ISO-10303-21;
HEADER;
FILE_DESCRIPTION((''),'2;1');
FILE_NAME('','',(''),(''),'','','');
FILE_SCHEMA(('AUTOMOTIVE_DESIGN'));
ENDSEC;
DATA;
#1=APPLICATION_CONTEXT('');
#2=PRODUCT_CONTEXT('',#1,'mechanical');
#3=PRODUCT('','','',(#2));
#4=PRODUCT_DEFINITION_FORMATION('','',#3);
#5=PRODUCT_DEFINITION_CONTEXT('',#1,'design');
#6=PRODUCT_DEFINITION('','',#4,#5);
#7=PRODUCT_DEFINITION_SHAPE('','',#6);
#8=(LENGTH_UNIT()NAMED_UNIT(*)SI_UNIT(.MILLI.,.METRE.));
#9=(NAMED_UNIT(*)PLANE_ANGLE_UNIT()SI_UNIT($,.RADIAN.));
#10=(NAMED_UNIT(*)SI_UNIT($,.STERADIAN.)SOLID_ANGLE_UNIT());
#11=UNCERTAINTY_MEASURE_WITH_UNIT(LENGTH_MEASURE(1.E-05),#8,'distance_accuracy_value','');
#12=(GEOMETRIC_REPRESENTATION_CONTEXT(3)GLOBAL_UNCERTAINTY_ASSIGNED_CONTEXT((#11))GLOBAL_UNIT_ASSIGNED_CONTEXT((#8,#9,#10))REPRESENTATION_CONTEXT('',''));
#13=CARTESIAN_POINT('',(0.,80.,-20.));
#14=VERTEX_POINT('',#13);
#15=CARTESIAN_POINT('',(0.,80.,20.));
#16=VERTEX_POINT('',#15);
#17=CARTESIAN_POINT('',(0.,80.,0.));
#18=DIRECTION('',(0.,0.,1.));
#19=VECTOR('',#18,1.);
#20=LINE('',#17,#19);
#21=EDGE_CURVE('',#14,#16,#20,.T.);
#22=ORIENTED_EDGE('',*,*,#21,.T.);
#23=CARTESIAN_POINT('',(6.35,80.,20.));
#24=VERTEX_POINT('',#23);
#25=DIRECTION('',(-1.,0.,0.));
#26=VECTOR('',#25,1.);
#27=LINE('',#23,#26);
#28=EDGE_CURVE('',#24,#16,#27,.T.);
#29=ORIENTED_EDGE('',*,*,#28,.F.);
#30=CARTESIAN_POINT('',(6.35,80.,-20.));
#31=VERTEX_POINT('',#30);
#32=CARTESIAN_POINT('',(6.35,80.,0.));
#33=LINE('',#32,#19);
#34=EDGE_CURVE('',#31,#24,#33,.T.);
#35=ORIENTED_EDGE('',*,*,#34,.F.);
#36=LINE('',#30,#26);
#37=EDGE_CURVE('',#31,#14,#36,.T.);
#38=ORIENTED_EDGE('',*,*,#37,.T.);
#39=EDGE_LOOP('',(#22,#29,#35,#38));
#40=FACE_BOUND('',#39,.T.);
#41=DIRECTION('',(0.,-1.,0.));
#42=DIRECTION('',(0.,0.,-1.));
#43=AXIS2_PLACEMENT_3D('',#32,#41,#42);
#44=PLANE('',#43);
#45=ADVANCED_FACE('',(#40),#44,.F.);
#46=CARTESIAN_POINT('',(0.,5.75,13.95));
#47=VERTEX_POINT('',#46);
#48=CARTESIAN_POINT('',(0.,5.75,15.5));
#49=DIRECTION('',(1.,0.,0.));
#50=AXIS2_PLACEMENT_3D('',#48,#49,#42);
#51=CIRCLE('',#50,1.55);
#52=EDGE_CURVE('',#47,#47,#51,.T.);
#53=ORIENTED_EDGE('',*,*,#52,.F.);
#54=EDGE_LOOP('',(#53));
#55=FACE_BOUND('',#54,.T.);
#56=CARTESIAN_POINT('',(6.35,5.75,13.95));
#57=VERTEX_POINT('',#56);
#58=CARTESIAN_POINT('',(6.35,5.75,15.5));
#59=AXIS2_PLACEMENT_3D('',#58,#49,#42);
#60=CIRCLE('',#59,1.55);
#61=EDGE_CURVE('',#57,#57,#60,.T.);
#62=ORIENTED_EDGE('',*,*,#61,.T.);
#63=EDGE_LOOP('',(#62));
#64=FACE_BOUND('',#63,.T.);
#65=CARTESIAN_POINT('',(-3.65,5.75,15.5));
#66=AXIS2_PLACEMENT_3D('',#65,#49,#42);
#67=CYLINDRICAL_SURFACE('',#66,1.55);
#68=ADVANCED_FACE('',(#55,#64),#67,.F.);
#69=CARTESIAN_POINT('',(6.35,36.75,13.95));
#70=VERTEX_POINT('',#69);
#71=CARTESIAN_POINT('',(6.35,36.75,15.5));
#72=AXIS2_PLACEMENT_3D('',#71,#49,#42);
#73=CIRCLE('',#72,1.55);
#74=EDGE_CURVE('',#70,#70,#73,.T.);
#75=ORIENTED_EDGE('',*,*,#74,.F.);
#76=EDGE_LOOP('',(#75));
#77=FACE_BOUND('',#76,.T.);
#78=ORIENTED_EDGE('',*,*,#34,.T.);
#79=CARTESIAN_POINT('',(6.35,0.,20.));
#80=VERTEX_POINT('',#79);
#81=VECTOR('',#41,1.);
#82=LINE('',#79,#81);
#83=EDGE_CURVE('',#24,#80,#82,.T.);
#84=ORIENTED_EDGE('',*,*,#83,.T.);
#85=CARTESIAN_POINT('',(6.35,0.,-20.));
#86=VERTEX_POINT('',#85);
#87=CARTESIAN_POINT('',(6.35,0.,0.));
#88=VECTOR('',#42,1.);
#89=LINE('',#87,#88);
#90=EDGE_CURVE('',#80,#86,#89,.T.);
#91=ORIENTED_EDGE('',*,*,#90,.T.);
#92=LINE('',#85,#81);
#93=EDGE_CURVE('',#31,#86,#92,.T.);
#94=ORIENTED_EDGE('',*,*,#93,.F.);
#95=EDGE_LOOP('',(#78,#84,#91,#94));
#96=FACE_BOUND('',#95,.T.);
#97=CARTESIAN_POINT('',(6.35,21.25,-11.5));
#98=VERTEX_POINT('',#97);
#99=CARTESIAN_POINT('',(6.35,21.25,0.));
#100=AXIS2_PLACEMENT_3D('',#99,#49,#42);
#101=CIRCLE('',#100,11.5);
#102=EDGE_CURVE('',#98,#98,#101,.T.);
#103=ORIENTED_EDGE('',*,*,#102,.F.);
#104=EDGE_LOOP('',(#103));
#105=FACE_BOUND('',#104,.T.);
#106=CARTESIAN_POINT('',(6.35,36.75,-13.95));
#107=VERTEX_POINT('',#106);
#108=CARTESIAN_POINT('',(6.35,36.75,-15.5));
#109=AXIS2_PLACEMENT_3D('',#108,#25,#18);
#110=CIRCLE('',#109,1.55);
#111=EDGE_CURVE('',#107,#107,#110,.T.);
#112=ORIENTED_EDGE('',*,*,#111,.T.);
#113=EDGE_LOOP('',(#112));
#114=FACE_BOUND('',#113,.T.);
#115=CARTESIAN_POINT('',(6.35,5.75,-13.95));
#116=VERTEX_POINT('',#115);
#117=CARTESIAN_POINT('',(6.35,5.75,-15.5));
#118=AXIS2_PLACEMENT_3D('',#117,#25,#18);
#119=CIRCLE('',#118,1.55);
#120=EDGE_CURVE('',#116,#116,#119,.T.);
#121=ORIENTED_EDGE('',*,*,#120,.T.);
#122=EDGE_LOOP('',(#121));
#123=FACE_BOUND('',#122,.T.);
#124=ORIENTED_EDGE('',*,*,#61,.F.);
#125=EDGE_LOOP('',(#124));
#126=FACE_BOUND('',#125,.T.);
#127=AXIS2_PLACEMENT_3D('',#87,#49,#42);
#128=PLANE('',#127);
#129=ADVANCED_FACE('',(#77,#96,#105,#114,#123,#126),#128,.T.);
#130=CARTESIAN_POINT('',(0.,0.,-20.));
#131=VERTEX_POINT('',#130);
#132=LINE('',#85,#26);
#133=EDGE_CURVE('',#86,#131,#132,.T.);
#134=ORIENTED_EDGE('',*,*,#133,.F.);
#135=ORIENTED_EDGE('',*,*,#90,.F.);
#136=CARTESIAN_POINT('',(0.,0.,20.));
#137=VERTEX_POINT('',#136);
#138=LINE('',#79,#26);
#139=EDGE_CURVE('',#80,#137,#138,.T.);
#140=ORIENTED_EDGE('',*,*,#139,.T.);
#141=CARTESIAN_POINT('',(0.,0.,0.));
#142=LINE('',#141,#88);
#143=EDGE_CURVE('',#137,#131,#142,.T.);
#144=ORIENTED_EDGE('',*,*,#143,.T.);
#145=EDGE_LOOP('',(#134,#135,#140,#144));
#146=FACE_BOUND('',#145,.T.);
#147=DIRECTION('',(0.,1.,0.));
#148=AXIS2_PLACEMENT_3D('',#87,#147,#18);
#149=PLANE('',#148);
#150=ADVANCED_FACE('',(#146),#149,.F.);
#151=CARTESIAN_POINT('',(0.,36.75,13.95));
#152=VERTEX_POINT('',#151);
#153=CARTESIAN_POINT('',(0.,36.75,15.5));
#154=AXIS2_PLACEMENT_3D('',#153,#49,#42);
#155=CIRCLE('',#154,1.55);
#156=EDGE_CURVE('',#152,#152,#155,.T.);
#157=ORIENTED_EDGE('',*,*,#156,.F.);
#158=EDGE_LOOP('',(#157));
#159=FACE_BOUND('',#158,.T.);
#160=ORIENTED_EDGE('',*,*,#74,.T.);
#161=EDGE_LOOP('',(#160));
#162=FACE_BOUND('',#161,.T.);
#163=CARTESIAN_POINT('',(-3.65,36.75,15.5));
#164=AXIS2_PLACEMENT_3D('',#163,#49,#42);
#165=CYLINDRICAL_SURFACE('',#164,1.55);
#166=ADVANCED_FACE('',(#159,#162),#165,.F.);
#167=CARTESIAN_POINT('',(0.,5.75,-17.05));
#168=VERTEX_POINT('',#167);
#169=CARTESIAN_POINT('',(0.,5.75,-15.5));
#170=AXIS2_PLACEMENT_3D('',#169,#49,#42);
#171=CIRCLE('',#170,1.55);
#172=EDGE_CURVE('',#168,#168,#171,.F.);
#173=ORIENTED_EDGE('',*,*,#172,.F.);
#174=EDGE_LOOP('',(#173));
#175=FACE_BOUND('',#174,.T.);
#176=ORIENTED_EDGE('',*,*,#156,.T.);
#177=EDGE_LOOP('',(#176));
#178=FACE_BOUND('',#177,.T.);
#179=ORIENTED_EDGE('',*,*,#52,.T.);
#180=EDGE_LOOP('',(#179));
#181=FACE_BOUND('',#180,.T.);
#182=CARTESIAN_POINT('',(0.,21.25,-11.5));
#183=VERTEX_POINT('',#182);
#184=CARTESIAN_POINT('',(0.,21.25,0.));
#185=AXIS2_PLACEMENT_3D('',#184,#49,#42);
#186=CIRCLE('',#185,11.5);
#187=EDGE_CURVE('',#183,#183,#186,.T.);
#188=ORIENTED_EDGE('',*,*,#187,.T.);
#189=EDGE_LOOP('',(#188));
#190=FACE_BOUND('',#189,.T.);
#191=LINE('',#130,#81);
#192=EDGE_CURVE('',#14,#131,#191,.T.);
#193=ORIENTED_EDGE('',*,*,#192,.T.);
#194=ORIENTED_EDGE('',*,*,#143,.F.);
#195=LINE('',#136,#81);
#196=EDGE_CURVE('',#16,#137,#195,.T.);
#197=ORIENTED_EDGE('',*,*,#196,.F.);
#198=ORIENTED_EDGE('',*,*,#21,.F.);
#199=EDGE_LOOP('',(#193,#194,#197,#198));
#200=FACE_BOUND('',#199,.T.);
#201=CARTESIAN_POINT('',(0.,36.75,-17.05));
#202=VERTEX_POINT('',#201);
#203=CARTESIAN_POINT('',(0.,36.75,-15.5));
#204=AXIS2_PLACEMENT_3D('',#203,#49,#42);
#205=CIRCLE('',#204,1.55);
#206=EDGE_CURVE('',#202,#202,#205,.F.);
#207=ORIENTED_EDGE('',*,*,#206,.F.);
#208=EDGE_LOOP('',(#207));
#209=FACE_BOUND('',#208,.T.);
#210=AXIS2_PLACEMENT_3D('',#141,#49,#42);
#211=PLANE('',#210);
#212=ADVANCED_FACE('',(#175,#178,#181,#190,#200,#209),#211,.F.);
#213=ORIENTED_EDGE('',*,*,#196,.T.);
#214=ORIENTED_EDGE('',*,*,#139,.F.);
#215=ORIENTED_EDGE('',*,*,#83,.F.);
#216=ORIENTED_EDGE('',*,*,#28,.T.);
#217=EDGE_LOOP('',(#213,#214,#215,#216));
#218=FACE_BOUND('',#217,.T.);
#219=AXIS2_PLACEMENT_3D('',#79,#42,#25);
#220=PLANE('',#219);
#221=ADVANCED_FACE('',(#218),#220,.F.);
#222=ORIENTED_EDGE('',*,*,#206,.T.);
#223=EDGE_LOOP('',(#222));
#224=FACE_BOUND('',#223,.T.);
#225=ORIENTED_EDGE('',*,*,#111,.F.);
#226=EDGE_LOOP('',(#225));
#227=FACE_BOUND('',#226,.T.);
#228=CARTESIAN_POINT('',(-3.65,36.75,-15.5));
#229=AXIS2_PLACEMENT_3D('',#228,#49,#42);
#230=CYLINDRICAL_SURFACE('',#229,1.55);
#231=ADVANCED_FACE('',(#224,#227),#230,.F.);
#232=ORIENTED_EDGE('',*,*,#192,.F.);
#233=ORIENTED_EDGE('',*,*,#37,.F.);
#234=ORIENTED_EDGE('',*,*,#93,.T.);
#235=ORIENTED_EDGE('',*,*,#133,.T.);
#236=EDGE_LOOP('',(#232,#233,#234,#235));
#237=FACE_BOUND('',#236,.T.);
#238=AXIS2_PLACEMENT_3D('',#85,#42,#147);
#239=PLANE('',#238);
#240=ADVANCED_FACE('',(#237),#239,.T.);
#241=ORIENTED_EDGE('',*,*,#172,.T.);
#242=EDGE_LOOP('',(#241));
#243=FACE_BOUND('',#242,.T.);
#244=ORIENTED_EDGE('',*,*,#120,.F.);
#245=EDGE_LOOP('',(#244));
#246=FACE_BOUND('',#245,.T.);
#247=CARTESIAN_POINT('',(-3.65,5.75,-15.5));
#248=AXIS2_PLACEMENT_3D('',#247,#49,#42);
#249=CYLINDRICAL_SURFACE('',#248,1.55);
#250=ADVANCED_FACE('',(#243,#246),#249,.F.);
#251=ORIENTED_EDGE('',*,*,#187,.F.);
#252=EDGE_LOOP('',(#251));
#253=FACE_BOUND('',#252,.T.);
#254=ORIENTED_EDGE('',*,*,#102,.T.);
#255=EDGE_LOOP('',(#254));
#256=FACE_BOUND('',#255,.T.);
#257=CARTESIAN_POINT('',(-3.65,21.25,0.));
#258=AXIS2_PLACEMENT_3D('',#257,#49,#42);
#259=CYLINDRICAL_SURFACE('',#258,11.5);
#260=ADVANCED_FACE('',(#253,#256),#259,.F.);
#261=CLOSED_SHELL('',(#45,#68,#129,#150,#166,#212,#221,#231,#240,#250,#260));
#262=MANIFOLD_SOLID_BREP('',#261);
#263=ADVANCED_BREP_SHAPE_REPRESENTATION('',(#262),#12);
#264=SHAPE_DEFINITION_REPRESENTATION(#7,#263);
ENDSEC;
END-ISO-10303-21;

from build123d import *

# Parameters (mm, degrees)
SKETCH1_W               = 20
SKETCH1_H               = 80
BOSS_EXTRUDE1_DEPTH     = 6.35
SKETCH2_R               = 1.55
MOTOR_MOUNT_HOLES_DEPTH = 10
SKETCH3_R               = 11.5
FLANGE_HOLE_DEPTH       = 10


with BuildPart() as part:
    # Sketch1 → Boss-Extrude1 (new body)
    with BuildSketch(Plane(origin=(0, 0, 0), x_dir=(0, 0, -1), z_dir=(1, 0, 0))):
        with Locations((-10, 40)):
            Rectangle(SKETCH1_W, SKETCH1_H)
    boss_extrude1 = extrude(amount=BOSS_EXTRUDE1_DEPTH)

    # Sketch2 → Motor Mount Holes (cut)
    with BuildSketch(Plane(origin=(6.35, 0, 0), x_dir=(0, 0, -1), z_dir=(1, 0, 0))):
        with Locations((-15.5, 5.75)):
            Circle(SKETCH2_R)
        with Locations((-15.5, 36.75)):
            Circle(SKETCH2_R)
    motor_mount_holes = extrude(amount=-MOTOR_MOUNT_HOLES_DEPTH, mode=Mode.SUBTRACT)

    # Sketch3 → Flange Hole (cut)
    with BuildSketch(Plane(origin=(6.35, 0, 0), x_dir=(0, 0, -1), z_dir=(1, 0, 0))):
        with Locations((0, 21.25)):
            Circle(SKETCH3_R)
    flange_hole = extrude(amount=-FLANGE_HOLE_DEPTH, mode=Mode.SUBTRACT)

    # Mirror1: Boss-Extrude1, Motor Mount Holes, Flange Hole across plane
    add(boss_extrude1.mirror(Plane(origin=(6.35, 0, 0), x_dir=(1, 0, 0), z_dir=(0, 0, 1))))
    add(motor_mount_holes.mirror(Plane(origin=(6.35, 0, 0), x_dir=(1, 0, 0), z_dir=(0, 0, 1))), mode=Mode.SUBTRACT)
    add(flange_hole.mirror(Plane(origin=(6.35, 0, 0), x_dir=(1, 0, 0), z_dir=(0, 0, 1))), mode=Mode.SUBTRACT)


solid = part.part
